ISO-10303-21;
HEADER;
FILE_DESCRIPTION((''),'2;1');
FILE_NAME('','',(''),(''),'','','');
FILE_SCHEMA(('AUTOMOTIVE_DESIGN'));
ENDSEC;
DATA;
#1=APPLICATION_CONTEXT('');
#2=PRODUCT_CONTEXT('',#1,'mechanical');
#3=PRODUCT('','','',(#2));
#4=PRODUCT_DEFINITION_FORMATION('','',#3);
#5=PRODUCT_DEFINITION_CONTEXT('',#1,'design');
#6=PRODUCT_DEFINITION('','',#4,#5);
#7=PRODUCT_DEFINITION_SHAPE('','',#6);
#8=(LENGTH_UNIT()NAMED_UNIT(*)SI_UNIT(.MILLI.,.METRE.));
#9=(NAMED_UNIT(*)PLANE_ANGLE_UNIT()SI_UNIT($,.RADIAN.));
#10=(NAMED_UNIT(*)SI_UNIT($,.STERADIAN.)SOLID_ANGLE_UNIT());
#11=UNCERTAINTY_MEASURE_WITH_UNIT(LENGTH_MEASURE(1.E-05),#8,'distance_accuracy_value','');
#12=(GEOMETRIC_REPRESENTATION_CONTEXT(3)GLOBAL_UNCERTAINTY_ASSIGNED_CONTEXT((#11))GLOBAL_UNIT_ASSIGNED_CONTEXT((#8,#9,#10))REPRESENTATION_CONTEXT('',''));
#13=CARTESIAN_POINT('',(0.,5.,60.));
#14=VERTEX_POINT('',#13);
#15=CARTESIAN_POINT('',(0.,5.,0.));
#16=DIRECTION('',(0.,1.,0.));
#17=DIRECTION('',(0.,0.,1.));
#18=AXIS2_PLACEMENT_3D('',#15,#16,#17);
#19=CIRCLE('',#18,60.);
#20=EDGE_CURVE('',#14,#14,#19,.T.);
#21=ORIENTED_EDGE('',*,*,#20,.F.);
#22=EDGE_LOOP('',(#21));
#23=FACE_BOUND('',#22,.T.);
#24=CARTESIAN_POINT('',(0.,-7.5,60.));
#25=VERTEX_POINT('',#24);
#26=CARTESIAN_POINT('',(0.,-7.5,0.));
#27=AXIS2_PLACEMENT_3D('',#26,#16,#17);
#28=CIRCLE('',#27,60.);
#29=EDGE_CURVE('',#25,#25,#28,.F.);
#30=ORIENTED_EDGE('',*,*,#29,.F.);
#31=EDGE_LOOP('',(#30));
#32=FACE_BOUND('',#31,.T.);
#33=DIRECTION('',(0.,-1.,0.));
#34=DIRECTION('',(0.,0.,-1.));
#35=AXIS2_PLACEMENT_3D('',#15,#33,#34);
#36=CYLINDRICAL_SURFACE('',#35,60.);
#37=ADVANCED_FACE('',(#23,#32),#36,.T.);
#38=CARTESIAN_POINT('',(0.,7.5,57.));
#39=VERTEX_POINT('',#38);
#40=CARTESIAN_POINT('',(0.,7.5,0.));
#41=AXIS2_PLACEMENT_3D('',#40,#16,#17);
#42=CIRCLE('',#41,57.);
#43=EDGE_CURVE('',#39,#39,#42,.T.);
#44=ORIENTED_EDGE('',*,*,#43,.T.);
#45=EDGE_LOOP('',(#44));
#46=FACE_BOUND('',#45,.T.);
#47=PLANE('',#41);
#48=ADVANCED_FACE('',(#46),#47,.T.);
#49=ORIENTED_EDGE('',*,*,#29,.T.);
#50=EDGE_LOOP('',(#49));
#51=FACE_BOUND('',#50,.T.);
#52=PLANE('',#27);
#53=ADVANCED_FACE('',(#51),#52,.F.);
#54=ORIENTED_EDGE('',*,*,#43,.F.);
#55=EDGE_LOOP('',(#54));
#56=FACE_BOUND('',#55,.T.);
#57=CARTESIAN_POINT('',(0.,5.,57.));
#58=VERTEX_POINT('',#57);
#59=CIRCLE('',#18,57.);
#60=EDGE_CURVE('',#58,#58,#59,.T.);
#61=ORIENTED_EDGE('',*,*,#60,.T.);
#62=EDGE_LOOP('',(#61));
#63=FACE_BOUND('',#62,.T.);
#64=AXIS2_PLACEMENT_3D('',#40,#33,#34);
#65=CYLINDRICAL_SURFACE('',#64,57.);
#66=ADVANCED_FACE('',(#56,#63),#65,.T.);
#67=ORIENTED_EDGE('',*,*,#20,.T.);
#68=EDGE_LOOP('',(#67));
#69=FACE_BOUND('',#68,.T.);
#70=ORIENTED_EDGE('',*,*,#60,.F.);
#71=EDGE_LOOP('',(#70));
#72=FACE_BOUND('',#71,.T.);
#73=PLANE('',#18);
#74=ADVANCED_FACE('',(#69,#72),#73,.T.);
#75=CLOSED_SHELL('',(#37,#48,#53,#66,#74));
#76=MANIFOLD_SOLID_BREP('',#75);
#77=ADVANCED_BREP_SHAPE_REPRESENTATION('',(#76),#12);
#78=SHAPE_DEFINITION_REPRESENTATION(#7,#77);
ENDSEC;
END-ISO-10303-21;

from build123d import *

# Parameters (mm, degrees)
SKETCH1_R           = 57
EXTRUDE4_DEPTH      = 7.5
EXTRUDE5_DEPTH      = 5
EXTRUDE5_DEPTH_BACK = 7.5
SKETCH_R            = 60
SKETCH_R_2          = 57


with BuildPart() as part:
    # Sketch1 → Extrude4 (new, symmetric)
    with BuildSketch(Plane(origin=(0, 0, 0), x_dir=(1, 0, 0), z_dir=(0, 1, 0))):
        with Locations(Location((0, 0, 0), (0, 0, 270))):
            Circle(SKETCH1_R)
    extrude(amount=EXTRUDE4_DEPTH, both=True)

    # Sketch → Extrude5 (add, two sides: drawn at the far end of the back side and taken through both)
    with BuildSketch(Plane(origin=(0, 0, 0), x_dir=(1, 0, 0), z_dir=(0, 1, 0)).offset(-EXTRUDE5_DEPTH_BACK)):
        with Locations(Location((0, 0, 0), (0, 0, 270))):
            Circle(SKETCH_R)
        with Locations(Location((0, 0, 0), (0, 0, 270))):
            Circle(SKETCH_R_2, mode=Mode.SUBTRACT)
    extrude(amount=EXTRUDE5_DEPTH + EXTRUDE5_DEPTH_BACK)


solid = part.part
